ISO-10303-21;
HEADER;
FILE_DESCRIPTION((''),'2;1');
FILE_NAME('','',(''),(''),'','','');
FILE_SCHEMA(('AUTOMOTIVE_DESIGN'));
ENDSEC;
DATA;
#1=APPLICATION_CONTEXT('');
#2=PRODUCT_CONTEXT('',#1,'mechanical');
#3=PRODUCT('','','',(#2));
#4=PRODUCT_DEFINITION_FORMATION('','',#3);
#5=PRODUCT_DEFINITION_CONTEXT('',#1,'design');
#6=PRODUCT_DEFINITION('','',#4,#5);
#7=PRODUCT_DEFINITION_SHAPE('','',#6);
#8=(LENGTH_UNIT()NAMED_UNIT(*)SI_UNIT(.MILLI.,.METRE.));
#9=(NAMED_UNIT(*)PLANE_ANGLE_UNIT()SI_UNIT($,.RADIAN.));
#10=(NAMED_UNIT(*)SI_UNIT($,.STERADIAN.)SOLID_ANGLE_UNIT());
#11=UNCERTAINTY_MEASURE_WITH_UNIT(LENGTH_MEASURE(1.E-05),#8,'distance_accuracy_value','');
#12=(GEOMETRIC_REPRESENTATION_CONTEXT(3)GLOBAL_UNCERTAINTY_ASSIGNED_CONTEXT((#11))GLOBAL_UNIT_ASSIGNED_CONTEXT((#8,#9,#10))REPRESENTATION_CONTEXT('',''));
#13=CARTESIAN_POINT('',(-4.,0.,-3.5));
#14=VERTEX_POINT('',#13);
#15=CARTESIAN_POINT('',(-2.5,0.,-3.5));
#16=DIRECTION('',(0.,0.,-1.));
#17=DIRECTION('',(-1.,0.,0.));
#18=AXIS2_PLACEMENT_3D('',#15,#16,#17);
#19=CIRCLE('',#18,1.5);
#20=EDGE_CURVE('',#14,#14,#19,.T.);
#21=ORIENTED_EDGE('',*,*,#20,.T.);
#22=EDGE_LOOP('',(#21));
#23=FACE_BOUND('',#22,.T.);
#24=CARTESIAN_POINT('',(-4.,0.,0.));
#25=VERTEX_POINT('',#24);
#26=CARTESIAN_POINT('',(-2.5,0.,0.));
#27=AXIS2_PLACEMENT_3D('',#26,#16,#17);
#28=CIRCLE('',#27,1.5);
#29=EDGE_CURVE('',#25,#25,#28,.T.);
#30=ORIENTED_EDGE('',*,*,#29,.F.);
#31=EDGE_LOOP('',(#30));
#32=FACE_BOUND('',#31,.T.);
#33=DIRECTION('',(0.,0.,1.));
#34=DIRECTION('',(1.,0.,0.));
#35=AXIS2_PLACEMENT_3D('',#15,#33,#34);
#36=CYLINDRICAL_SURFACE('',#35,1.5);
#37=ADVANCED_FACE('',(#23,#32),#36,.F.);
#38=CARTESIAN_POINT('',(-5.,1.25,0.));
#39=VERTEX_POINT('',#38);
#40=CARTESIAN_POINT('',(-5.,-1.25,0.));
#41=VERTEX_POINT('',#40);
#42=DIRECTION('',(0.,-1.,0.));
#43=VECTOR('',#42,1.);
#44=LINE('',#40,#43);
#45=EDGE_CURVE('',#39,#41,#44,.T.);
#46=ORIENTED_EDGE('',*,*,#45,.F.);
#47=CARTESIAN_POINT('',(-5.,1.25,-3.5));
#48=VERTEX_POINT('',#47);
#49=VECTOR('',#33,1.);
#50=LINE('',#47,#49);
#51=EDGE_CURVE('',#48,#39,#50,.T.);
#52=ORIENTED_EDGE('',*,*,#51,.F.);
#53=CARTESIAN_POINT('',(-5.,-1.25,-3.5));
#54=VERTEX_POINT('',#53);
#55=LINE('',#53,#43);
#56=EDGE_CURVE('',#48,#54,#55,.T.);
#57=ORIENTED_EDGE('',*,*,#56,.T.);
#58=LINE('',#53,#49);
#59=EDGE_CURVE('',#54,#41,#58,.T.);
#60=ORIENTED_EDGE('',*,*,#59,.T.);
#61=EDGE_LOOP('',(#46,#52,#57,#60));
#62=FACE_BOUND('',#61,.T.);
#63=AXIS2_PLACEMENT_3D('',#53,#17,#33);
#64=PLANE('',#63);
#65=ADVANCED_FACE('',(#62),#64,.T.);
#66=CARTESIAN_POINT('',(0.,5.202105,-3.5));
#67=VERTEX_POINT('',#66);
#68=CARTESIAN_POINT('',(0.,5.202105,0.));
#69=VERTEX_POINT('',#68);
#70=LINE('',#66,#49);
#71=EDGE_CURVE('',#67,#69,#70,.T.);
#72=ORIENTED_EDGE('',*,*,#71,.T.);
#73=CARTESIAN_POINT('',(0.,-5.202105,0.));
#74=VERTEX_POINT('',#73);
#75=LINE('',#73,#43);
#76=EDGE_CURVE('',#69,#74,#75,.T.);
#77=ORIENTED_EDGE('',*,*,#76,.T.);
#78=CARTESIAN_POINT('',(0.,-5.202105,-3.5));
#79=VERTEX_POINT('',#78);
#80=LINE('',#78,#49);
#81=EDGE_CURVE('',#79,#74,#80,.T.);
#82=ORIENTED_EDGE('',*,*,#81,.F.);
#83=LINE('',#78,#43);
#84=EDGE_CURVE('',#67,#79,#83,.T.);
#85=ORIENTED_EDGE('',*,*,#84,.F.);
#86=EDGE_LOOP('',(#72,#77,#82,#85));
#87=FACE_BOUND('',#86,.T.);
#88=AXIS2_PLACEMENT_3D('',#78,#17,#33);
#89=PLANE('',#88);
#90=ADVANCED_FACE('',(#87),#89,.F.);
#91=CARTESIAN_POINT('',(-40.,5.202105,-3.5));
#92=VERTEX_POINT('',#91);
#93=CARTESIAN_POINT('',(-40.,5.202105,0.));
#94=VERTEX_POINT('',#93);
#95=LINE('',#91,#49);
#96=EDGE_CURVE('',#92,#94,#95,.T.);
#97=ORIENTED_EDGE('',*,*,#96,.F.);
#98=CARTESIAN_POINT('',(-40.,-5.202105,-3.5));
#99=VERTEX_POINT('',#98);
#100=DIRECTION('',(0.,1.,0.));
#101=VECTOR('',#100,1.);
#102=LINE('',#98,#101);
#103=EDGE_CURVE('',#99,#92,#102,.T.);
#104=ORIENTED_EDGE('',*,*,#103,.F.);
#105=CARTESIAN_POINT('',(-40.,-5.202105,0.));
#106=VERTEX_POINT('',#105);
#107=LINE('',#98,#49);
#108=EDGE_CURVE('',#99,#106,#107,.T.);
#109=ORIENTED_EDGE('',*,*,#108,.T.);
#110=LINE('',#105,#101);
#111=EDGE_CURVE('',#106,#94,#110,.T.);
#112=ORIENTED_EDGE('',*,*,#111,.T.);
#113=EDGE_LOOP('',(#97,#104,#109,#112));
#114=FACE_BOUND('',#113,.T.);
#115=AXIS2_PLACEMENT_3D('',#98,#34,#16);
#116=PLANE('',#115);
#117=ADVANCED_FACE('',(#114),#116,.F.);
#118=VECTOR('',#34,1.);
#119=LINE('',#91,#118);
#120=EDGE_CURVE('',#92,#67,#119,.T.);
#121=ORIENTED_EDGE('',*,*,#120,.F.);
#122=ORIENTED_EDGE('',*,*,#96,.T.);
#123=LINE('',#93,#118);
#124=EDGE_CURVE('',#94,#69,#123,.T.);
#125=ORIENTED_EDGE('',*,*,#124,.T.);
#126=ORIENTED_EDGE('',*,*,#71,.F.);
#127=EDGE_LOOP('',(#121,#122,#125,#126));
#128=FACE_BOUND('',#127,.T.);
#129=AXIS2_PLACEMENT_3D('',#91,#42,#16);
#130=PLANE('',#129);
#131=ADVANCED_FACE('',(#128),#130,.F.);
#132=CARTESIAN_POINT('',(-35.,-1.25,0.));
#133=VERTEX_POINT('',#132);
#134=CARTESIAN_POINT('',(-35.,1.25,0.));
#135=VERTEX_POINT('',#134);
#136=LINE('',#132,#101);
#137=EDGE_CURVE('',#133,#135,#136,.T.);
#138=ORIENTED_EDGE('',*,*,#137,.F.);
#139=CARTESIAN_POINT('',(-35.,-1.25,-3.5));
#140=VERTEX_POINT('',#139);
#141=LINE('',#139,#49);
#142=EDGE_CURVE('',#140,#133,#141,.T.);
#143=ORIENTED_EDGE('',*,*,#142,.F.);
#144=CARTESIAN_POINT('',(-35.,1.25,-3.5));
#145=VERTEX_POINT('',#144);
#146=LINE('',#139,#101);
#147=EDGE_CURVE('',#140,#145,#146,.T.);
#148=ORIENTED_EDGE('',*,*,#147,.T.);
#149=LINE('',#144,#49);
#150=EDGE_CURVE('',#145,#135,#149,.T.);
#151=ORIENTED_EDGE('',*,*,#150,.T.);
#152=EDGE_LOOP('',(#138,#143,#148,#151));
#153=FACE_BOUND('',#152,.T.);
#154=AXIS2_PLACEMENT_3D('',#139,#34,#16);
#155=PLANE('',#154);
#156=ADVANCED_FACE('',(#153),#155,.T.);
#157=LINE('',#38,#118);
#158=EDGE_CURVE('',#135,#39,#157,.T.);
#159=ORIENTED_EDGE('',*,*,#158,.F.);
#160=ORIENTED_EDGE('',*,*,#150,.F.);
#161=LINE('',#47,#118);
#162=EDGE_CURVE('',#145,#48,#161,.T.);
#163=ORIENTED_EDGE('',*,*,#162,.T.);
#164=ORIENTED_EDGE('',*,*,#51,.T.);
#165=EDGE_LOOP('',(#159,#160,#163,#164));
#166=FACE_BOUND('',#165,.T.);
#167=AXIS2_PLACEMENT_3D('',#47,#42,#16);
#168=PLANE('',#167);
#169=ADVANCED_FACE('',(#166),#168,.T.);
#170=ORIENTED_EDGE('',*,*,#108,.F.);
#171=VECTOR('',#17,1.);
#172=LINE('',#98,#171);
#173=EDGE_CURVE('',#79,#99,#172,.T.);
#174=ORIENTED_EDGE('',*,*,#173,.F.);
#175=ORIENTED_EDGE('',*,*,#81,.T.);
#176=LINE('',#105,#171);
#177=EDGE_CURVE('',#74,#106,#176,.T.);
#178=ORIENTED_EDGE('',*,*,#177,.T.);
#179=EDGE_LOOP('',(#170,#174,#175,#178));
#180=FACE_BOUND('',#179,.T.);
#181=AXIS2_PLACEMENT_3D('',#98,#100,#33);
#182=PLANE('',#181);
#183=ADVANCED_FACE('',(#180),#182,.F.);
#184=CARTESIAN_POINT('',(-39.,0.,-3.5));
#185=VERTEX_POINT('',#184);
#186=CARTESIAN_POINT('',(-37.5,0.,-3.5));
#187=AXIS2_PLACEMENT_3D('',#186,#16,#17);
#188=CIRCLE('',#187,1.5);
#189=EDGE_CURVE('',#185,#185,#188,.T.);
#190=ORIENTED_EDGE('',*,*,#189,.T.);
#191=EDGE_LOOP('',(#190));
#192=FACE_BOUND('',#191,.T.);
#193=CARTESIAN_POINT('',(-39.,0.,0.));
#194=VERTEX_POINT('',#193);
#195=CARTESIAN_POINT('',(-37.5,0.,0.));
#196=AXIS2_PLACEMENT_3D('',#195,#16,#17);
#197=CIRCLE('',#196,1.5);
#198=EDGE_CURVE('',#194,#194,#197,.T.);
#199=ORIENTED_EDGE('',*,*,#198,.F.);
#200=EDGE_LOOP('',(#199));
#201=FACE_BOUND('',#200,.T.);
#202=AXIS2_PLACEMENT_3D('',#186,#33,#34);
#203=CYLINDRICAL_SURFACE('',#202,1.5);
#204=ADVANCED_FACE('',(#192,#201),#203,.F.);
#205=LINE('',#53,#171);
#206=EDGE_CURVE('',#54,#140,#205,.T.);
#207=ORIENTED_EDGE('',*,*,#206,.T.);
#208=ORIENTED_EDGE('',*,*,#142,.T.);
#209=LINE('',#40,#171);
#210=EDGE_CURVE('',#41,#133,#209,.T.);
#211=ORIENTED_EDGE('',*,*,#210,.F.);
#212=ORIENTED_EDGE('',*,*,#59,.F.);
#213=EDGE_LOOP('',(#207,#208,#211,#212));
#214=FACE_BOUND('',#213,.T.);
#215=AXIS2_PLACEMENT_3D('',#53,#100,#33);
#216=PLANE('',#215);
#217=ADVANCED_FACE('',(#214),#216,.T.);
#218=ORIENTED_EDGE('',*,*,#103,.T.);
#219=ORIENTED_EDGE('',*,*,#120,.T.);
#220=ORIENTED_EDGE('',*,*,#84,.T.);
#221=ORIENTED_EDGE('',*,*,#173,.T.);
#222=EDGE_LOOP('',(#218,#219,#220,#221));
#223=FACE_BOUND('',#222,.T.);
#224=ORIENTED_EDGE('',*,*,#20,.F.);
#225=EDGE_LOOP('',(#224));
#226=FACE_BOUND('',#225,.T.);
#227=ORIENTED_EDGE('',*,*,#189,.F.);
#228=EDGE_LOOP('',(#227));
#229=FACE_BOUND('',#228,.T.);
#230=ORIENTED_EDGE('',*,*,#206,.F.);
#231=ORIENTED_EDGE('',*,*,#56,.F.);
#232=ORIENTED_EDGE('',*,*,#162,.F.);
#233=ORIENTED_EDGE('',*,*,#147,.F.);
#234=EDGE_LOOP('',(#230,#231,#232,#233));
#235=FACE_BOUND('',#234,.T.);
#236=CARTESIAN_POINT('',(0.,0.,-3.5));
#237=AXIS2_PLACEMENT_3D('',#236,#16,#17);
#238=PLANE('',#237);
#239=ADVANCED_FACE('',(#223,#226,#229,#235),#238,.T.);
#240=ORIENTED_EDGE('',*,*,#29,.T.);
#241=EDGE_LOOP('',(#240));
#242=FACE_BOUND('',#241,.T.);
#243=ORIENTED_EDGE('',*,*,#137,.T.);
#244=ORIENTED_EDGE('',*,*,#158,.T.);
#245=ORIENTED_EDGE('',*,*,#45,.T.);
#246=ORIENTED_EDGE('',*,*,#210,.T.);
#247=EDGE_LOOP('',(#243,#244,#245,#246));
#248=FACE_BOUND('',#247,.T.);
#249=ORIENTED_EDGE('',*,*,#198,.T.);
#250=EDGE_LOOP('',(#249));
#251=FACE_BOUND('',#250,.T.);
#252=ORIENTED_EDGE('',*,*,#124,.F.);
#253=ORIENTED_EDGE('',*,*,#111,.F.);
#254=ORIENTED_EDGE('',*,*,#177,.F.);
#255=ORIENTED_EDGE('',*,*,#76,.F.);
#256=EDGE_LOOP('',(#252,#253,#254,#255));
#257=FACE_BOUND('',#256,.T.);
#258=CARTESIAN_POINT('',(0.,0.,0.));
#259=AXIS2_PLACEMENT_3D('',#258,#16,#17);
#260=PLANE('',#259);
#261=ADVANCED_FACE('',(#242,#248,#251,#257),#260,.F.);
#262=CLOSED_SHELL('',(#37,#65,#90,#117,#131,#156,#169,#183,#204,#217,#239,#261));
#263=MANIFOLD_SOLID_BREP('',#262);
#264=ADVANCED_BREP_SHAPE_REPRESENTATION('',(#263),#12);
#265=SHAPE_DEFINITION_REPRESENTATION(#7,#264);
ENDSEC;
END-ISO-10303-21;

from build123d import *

# Parameters (mm, degrees)
SKETCH1_W           = 40
SKETCH1_H           = 10.404209308
SKETCH1_R           = 1.5
SKETCH1_W_2         = 30
SKETCH1_H_2         = 2.5
BOSS_EXTRUDE1_DEPTH = 3.5


with BuildPart() as part:
    # Sketch1 → Boss-Extrude1 (new body)
    with BuildSketch(Plane(origin=(0, 0, 0), x_dir=(-1, 0, 0), z_dir=(0, 0, -1))):
        with Locations((20, 0)):
            Rectangle(SKETCH1_W, SKETCH1_H)
        with Locations((2.5, 0)):
            Circle(SKETCH1_R, mode=Mode.SUBTRACT)
        with Locations((37.5, 0)):
            Circle(SKETCH1_R, mode=Mode.SUBTRACT)
        with Locations((20, 0)):
            Rectangle(SKETCH1_W_2, SKETCH1_H_2, mode=Mode.SUBTRACT)
    extrude(amount=BOSS_EXTRUDE1_DEPTH)


solid = part.part
